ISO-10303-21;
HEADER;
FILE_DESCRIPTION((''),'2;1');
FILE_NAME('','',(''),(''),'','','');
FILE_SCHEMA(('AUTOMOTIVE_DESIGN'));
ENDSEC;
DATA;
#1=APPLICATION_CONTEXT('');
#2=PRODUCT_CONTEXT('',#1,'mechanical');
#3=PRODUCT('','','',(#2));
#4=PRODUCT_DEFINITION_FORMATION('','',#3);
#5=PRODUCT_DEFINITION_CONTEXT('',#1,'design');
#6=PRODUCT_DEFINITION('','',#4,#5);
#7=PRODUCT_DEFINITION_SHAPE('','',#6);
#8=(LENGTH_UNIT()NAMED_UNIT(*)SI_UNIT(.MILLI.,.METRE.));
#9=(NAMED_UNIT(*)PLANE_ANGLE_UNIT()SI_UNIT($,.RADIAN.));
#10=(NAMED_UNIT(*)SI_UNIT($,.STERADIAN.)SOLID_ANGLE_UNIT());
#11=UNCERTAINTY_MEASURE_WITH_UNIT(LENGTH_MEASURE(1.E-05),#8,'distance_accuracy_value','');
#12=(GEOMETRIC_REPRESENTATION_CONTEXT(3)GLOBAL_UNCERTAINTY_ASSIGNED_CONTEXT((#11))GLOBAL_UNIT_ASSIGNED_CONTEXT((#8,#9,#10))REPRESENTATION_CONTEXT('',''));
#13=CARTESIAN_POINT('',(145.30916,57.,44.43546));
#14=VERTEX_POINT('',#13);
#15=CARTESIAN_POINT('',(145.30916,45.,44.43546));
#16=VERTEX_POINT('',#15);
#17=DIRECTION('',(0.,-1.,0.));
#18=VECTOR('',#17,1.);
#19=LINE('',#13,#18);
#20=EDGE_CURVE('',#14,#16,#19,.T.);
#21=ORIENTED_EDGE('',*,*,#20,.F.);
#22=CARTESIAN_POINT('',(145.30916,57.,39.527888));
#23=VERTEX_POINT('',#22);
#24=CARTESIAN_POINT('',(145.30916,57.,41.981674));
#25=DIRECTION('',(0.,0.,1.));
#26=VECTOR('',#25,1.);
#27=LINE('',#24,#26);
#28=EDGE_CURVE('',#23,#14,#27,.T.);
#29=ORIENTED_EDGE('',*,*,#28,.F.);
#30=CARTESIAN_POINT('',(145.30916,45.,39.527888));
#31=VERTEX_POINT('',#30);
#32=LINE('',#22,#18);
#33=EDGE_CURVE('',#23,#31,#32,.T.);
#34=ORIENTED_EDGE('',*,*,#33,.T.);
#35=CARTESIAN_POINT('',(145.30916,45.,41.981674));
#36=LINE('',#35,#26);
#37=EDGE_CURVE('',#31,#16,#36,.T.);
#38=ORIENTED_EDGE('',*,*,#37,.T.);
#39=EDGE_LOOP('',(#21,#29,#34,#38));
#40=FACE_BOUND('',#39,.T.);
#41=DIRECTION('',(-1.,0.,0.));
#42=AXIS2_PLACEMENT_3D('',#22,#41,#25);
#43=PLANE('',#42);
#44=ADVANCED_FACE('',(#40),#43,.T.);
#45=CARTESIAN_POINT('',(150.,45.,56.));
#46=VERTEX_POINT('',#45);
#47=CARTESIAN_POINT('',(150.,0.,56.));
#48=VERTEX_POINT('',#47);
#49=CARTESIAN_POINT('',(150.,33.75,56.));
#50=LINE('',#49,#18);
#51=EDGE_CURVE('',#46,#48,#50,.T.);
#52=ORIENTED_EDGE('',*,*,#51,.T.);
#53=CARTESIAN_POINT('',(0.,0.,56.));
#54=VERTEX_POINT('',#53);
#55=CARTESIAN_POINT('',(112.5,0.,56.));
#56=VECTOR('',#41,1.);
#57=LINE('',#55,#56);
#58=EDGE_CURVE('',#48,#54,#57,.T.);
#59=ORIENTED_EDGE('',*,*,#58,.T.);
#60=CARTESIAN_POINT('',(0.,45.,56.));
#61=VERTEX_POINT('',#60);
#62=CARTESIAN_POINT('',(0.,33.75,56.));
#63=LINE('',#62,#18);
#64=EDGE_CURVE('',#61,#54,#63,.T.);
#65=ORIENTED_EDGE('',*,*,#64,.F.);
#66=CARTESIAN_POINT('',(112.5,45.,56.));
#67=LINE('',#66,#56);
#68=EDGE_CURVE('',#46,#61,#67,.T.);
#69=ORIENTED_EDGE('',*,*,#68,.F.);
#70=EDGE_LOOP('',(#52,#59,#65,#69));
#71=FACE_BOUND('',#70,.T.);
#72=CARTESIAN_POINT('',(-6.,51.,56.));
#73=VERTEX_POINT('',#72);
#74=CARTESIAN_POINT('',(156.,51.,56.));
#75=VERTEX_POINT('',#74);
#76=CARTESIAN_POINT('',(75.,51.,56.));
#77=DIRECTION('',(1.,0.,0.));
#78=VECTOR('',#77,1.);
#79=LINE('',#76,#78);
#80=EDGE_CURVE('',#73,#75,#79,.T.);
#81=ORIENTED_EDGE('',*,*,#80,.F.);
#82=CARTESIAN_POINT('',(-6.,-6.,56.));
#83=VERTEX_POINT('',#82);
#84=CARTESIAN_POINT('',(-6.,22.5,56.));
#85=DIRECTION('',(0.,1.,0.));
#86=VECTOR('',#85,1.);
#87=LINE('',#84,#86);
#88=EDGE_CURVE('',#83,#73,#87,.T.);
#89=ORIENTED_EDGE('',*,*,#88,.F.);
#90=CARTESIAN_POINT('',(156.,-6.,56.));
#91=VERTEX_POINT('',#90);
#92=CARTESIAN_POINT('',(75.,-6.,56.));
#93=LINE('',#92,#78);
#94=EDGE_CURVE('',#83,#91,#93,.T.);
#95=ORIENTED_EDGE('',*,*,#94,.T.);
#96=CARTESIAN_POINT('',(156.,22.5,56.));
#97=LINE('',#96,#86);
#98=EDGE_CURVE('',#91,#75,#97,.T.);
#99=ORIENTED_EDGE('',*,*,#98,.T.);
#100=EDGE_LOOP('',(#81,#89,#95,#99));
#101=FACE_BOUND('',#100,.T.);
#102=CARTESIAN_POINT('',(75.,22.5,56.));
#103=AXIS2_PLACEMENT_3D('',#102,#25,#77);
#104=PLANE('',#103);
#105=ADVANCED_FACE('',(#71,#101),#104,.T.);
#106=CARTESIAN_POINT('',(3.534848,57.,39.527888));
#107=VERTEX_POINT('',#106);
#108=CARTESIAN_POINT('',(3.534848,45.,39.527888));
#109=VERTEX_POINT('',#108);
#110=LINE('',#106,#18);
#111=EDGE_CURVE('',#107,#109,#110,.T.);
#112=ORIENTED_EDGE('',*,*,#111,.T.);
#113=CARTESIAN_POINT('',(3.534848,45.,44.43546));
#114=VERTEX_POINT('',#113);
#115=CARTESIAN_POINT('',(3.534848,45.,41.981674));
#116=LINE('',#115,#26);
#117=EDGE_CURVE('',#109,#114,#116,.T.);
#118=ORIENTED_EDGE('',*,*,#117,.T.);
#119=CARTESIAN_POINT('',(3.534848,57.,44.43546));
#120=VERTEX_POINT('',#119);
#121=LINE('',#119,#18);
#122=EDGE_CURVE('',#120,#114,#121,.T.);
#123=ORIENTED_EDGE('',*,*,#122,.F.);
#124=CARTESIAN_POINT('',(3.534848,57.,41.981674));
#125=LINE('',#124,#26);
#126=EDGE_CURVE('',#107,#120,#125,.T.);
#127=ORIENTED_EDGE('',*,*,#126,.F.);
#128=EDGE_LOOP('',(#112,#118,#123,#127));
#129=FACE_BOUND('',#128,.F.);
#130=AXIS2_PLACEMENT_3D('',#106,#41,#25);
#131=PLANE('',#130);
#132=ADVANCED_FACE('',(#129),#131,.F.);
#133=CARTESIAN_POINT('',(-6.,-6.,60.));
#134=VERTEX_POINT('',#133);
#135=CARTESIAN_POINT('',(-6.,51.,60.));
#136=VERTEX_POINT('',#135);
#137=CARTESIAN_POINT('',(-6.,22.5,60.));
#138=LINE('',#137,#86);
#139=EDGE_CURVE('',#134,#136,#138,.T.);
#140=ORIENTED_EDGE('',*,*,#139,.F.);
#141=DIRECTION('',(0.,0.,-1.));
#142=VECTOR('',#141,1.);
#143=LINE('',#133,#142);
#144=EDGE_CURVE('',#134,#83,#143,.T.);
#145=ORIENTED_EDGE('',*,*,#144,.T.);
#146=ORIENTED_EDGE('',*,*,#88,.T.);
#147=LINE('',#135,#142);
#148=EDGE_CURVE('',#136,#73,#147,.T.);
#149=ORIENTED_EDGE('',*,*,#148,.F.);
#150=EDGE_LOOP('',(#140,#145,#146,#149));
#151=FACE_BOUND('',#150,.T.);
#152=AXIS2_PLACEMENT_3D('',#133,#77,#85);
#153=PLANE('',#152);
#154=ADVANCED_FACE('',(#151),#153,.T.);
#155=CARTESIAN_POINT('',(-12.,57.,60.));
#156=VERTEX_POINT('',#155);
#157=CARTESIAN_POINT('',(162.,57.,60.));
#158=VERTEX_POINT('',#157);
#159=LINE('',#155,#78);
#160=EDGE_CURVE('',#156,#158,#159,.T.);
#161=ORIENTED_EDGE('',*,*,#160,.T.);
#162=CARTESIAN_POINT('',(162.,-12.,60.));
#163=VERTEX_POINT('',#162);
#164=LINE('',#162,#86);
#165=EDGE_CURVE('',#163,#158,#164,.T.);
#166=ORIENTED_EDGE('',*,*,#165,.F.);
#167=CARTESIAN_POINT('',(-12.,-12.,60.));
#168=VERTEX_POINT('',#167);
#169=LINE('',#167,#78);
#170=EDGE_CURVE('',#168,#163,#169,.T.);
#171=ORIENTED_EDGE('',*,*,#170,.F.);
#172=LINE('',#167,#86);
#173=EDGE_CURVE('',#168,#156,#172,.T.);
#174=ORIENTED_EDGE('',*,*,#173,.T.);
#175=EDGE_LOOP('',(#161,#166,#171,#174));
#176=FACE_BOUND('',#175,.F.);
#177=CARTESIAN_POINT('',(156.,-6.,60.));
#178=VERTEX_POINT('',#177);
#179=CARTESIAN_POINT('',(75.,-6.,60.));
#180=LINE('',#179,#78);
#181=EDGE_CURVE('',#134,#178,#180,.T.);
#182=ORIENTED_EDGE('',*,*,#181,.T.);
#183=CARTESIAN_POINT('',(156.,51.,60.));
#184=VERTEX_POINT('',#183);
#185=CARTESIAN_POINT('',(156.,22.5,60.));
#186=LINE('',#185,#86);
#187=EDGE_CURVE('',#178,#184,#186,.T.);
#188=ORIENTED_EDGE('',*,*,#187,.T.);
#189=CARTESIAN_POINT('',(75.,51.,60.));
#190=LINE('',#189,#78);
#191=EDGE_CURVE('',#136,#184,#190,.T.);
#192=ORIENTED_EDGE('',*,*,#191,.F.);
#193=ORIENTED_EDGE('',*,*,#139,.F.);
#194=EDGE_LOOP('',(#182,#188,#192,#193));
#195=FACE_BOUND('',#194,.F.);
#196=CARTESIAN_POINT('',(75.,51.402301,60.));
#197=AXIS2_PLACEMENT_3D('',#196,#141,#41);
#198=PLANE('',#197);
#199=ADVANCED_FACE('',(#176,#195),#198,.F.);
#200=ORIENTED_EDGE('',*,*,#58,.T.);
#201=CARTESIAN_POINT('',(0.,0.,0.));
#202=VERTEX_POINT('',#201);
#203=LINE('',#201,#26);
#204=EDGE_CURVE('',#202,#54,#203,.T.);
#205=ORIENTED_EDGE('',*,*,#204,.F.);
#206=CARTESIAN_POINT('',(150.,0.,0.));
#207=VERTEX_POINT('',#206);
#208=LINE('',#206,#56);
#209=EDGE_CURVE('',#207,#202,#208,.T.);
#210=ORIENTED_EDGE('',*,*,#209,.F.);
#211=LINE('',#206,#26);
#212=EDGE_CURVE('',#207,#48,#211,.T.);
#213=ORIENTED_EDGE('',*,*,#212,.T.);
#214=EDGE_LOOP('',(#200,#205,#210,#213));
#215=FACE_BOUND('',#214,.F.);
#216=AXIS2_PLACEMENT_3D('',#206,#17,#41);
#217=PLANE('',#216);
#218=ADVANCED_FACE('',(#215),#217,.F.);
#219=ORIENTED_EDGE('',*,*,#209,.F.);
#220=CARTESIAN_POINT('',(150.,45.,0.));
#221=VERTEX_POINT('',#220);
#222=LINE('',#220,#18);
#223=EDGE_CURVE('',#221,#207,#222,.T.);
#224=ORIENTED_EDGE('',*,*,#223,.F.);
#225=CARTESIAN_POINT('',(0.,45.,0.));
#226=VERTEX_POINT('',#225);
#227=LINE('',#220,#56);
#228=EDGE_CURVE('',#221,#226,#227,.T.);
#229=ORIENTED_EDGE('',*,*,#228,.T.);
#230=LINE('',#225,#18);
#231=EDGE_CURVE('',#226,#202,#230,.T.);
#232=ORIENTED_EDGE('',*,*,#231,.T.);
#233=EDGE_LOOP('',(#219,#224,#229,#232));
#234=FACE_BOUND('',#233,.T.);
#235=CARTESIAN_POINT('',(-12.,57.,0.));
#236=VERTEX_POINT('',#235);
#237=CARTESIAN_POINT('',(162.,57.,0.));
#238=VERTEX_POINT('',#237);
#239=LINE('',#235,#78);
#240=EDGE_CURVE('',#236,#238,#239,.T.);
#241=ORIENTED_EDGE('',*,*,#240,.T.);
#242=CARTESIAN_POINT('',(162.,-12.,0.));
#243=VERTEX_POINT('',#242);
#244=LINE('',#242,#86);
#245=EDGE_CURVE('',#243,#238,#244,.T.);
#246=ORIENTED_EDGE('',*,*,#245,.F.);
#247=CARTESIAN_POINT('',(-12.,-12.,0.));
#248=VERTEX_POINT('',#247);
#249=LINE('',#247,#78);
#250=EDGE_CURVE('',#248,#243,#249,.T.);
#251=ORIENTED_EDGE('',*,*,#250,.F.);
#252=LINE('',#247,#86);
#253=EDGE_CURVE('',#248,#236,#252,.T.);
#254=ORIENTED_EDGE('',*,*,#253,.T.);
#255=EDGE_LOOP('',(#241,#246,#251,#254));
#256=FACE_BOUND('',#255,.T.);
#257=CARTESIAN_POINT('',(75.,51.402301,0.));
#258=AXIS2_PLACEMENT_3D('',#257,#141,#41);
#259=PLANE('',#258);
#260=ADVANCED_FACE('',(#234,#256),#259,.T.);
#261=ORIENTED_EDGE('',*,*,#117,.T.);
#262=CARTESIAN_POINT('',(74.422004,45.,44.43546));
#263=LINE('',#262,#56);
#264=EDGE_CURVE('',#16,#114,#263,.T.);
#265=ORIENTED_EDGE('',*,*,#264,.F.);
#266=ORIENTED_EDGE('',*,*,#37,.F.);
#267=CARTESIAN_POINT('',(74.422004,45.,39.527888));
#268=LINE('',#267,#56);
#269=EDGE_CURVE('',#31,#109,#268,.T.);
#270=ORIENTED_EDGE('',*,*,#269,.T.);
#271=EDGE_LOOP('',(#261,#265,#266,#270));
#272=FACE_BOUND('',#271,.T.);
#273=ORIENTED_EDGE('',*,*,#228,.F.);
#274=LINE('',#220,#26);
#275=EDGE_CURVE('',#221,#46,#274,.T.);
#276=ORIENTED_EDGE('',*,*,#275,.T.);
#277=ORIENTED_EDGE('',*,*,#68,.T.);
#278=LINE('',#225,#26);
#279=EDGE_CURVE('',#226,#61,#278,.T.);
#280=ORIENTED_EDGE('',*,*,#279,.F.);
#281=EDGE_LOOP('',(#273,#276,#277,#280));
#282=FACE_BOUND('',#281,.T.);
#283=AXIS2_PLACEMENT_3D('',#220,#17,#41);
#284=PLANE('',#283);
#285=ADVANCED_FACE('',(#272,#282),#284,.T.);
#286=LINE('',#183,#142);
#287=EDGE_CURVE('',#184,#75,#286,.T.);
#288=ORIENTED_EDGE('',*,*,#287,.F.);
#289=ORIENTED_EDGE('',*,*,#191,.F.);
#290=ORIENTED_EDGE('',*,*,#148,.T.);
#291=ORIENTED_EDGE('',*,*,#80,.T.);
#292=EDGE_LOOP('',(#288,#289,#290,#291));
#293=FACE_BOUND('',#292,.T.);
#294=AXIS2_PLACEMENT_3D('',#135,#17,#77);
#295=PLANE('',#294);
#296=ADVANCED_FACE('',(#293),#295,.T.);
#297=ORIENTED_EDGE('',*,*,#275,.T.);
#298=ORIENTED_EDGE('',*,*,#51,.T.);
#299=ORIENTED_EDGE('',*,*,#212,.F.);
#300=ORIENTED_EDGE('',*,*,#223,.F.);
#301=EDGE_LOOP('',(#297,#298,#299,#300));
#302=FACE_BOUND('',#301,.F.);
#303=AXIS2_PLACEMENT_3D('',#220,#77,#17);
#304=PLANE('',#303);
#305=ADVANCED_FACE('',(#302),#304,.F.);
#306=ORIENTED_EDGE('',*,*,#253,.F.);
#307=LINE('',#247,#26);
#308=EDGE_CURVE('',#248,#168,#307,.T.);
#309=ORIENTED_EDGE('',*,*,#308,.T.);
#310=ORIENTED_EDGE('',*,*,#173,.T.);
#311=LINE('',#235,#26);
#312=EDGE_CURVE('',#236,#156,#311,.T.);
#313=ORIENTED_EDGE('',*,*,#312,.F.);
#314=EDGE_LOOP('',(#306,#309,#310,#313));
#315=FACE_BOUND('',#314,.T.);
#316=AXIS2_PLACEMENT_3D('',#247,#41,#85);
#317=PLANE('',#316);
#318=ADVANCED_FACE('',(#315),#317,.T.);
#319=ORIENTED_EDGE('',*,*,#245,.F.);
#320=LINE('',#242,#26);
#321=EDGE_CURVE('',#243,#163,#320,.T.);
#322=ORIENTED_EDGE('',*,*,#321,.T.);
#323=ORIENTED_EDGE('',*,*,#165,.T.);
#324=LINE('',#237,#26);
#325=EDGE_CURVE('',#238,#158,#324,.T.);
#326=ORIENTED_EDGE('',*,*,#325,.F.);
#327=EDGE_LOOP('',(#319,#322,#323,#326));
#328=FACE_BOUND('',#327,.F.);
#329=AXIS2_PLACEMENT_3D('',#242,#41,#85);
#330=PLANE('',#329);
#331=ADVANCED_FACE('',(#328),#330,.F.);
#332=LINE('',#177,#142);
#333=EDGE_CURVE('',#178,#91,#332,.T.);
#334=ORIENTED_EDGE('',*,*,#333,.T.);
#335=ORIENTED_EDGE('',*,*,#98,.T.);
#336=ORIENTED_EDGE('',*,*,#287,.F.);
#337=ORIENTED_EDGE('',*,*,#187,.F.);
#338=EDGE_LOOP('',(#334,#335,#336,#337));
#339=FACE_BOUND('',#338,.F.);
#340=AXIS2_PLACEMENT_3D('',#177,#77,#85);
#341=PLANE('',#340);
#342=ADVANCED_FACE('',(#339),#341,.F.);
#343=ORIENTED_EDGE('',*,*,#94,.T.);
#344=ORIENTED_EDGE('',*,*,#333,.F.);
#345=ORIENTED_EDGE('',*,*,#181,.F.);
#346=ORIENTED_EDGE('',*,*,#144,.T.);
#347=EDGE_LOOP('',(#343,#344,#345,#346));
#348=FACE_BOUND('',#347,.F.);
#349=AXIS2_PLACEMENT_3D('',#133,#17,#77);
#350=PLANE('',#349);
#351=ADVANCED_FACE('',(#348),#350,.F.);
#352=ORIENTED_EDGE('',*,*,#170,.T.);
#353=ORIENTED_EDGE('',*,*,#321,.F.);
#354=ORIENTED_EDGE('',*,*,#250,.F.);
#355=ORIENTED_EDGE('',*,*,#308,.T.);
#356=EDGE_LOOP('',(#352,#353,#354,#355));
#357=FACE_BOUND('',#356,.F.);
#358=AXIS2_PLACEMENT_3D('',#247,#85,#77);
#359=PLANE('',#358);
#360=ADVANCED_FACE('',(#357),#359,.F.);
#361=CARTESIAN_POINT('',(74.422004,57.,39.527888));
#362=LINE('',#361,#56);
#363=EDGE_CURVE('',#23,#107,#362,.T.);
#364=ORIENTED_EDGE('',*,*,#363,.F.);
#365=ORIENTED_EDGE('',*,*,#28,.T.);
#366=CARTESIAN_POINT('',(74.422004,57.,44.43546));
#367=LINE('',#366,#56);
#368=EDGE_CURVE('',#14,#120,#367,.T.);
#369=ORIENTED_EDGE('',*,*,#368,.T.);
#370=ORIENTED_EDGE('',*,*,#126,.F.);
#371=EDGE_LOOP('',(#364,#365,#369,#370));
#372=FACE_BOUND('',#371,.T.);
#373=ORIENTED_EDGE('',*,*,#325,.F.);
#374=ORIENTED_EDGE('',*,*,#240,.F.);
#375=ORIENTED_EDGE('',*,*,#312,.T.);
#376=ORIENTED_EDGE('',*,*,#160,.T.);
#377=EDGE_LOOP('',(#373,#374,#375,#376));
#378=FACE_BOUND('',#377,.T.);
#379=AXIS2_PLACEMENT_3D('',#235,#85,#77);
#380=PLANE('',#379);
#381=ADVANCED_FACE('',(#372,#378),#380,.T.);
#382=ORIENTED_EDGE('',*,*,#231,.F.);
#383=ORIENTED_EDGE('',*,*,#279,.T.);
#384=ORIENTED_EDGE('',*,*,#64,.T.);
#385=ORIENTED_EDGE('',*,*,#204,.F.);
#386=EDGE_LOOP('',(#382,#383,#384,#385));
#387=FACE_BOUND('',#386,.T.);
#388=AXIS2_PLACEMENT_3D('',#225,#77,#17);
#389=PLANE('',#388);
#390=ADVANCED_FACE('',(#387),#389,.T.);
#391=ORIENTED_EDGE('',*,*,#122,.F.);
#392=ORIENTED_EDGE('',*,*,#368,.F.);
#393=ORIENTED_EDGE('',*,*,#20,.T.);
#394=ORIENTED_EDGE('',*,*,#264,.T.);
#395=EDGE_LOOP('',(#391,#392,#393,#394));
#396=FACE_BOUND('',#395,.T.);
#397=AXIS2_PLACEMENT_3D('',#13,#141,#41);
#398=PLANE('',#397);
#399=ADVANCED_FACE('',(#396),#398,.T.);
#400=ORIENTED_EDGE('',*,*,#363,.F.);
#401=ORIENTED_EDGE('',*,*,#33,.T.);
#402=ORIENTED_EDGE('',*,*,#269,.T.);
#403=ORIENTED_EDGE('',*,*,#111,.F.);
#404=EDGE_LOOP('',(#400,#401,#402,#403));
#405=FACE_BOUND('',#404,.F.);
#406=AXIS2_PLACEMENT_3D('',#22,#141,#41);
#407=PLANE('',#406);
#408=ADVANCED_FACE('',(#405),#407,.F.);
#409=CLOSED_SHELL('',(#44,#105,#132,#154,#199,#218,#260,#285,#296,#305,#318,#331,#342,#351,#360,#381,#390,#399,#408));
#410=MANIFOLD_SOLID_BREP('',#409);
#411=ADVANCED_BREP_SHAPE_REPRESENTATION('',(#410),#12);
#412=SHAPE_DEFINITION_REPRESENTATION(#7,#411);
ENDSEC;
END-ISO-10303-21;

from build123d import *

# Parameters (mm, degrees)
PAD_DEPTH       = 60
PAD001_DEPTH    = 60
PAD004_DEPTH    = 60
PAD006_DEPTH    = 60
SKETCH008_W     = 162
SKETCH008_H     = 57
POCKET_DEPTH    = 4
SKETCH011_W     = 141.774313
SKETCH011_H     = 4.907572
POCKET001_DEPTH = 12


with BuildPart() as part:
    # Sketch → Pad (new body)
    with BuildSketch(Plane.XY):
        Polygon((162, -12), (150, 0), (0, 0), (-12, -12), align=None)
    extrude(amount=PAD_DEPTH)

    # Sketch001 → Pad001 (join)
    with BuildSketch(Plane.XY):
        Polygon((0, 45), (0, 0), (-12, -12), (-12, 57), align=None)
    extrude(amount=PAD001_DEPTH)

    # Sketch004 → Pad004 (join)
    with BuildSketch(Plane.XY):
        Polygon((150, 0), (162, -12), (162, 57), (150, 45), align=None)
    extrude(amount=PAD004_DEPTH)

    # Sketch007 → Pad006 (join)
    with BuildSketch(Plane.XY):
        Polygon((-12, 57), (162, 57), (150, 45), (0, 45), align=None)
    extrude(amount=PAD006_DEPTH)

    # Sketch008 (on Face13 of Pad006) → Pocket (cut)
    with BuildSketch(Plane.XY.offset(60)):
        with Locations((75, 22.5)):
            Rectangle(SKETCH008_W, SKETCH008_H)
    extrude(amount=-POCKET_DEPTH, mode=Mode.SUBTRACT)

    # Sketch011 (on Face6 of Pad006) → Pocket001 (cut)
    with BuildSketch(Plane(origin=(0, 57, 0), x_dir=(-1, 0, 0), z_dir=(0, 1, 0))):
        with Locations((-74.422004, 41.981674)):
            Rectangle(SKETCH011_W, SKETCH011_H)
    extrude(amount=-POCKET001_DEPTH, mode=Mode.SUBTRACT)


solid = part.part
